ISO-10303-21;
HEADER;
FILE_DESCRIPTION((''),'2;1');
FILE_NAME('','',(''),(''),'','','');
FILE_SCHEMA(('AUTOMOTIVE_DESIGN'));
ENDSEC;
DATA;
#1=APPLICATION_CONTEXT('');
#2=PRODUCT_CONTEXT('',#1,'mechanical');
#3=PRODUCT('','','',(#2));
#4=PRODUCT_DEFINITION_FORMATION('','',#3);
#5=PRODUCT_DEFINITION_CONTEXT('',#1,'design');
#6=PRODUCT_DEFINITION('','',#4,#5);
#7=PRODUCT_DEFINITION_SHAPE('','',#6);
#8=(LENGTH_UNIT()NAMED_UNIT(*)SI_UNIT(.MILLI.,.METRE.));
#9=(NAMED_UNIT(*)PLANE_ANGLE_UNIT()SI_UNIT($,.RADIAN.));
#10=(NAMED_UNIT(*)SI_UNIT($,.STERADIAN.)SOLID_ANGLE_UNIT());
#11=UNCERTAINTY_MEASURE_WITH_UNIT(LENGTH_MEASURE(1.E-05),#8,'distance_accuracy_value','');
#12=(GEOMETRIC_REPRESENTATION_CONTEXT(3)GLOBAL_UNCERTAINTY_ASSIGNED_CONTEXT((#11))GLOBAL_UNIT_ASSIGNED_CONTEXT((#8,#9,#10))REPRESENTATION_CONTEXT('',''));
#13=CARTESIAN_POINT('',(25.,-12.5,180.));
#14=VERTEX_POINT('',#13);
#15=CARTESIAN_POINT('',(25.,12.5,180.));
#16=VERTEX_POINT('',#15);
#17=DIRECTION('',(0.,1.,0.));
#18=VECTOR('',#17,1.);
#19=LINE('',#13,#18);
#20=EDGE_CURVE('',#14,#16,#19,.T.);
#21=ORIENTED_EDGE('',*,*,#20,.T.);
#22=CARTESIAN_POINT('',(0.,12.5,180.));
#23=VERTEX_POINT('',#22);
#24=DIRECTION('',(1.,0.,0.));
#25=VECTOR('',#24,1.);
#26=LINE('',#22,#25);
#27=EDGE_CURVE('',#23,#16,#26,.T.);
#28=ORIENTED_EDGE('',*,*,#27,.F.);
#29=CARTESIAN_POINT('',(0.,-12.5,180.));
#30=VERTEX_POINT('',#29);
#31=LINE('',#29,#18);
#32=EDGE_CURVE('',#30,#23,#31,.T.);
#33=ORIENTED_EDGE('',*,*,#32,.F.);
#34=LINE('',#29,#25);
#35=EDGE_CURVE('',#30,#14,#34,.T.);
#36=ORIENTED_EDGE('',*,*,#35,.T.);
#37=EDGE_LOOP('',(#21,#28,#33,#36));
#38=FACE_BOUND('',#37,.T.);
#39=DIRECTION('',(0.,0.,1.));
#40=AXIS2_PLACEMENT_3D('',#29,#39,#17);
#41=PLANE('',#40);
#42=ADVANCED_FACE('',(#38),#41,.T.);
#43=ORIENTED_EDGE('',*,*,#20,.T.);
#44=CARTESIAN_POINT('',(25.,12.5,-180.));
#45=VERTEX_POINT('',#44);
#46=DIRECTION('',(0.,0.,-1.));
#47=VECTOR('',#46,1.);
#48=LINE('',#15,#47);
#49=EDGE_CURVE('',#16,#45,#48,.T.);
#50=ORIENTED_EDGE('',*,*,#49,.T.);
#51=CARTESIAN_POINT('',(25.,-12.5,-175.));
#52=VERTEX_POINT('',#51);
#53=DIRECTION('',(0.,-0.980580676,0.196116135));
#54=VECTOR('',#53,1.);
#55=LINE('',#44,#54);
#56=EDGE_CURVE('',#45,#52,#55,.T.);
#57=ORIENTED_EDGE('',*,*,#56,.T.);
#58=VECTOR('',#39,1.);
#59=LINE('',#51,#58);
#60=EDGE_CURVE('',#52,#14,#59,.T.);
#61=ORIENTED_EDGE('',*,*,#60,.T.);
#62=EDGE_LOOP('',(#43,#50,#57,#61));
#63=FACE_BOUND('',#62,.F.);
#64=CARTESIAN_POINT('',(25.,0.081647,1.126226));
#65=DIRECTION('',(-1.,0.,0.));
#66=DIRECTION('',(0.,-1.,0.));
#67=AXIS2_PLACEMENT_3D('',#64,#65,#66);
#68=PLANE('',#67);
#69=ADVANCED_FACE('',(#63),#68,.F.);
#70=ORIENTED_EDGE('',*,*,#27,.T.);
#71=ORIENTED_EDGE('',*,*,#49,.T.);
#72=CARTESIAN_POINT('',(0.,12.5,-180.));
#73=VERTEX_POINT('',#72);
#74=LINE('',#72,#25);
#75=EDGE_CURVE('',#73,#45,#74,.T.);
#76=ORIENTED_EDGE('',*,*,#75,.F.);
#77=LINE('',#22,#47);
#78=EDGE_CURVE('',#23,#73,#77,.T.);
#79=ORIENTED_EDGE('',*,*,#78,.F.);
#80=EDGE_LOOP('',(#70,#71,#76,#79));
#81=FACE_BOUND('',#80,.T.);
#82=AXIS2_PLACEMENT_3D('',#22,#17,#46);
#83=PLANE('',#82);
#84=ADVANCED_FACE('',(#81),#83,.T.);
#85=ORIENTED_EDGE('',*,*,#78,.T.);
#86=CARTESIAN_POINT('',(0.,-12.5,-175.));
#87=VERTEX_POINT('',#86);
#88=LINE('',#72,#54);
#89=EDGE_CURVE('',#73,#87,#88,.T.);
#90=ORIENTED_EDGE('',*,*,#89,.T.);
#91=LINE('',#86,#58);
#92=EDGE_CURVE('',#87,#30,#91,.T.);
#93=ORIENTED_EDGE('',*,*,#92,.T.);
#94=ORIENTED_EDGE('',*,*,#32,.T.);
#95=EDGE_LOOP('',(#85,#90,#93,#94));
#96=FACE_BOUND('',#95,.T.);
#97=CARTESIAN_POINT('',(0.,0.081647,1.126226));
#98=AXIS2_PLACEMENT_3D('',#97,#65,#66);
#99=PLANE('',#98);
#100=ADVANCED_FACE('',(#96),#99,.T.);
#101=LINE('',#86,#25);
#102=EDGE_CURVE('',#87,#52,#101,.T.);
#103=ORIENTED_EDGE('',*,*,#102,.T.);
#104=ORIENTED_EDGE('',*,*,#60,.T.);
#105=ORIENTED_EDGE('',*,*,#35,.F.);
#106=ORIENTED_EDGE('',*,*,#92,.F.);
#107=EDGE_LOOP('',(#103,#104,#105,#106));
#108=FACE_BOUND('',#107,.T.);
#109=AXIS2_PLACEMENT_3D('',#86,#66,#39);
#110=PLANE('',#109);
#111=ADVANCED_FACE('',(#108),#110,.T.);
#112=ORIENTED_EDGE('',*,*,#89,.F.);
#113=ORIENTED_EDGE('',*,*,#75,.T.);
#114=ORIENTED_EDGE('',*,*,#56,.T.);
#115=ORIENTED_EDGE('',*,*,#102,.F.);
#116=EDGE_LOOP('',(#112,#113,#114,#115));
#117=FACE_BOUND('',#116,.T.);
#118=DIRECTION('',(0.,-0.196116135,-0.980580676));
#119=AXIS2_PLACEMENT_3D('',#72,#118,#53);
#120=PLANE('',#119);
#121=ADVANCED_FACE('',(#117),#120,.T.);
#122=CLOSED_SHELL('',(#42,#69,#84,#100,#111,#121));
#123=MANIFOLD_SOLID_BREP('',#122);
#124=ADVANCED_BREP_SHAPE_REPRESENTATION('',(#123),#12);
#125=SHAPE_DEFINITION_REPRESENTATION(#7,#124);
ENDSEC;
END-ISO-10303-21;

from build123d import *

# Parameters (mm, degrees)
PAD_DEPTH = 25


with BuildPart() as part:
    # Sketch → Pad (new body)
    with BuildSketch(Plane.YZ):
        Polygon((-12.5, 180), (12.5, 180), (12.5, -180), (-12.5, -175), align=None)
    extrude(amount=PAD_DEPTH)


solid = part.part
